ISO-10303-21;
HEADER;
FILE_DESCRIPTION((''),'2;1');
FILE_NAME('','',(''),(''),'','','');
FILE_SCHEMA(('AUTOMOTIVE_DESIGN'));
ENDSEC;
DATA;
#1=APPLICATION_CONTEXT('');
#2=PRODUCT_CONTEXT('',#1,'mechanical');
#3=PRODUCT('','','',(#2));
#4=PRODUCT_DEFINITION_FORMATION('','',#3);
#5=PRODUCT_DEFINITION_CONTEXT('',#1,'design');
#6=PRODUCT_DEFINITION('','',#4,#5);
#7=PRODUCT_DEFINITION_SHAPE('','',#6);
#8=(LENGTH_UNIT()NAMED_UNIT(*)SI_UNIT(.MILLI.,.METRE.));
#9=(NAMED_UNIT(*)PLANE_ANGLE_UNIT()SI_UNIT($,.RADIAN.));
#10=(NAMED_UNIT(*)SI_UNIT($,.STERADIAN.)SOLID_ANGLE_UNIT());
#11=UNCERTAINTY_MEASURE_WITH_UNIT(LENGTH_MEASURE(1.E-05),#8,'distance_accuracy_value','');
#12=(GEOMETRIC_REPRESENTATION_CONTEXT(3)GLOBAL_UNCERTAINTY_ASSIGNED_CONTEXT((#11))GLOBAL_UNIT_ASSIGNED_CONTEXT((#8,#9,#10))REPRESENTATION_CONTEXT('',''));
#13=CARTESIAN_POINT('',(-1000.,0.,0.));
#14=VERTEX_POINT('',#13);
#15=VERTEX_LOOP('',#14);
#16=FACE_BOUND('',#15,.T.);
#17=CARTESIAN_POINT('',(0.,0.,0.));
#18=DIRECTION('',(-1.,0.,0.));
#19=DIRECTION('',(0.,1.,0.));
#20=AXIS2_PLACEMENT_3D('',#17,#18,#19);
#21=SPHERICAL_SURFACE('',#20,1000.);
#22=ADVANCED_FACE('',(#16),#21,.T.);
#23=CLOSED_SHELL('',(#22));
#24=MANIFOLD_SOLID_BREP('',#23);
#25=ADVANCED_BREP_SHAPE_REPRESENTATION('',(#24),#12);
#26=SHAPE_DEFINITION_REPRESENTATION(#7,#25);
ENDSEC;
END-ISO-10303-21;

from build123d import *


with BuildPart() as part:
    # Эскиз3 → Revolve 135 (revolve)
    with BuildSketch(Plane.XY):
        with BuildLine():
            Line((-1000, 0), (1000, 0))
            ThreePointArc((1000, 0), (0, 1000), (-1000, 0))
        make_face()
    revolve(axis=Axis((-2000, 0, 0), (1, 0, 0)))


solid = part.part
